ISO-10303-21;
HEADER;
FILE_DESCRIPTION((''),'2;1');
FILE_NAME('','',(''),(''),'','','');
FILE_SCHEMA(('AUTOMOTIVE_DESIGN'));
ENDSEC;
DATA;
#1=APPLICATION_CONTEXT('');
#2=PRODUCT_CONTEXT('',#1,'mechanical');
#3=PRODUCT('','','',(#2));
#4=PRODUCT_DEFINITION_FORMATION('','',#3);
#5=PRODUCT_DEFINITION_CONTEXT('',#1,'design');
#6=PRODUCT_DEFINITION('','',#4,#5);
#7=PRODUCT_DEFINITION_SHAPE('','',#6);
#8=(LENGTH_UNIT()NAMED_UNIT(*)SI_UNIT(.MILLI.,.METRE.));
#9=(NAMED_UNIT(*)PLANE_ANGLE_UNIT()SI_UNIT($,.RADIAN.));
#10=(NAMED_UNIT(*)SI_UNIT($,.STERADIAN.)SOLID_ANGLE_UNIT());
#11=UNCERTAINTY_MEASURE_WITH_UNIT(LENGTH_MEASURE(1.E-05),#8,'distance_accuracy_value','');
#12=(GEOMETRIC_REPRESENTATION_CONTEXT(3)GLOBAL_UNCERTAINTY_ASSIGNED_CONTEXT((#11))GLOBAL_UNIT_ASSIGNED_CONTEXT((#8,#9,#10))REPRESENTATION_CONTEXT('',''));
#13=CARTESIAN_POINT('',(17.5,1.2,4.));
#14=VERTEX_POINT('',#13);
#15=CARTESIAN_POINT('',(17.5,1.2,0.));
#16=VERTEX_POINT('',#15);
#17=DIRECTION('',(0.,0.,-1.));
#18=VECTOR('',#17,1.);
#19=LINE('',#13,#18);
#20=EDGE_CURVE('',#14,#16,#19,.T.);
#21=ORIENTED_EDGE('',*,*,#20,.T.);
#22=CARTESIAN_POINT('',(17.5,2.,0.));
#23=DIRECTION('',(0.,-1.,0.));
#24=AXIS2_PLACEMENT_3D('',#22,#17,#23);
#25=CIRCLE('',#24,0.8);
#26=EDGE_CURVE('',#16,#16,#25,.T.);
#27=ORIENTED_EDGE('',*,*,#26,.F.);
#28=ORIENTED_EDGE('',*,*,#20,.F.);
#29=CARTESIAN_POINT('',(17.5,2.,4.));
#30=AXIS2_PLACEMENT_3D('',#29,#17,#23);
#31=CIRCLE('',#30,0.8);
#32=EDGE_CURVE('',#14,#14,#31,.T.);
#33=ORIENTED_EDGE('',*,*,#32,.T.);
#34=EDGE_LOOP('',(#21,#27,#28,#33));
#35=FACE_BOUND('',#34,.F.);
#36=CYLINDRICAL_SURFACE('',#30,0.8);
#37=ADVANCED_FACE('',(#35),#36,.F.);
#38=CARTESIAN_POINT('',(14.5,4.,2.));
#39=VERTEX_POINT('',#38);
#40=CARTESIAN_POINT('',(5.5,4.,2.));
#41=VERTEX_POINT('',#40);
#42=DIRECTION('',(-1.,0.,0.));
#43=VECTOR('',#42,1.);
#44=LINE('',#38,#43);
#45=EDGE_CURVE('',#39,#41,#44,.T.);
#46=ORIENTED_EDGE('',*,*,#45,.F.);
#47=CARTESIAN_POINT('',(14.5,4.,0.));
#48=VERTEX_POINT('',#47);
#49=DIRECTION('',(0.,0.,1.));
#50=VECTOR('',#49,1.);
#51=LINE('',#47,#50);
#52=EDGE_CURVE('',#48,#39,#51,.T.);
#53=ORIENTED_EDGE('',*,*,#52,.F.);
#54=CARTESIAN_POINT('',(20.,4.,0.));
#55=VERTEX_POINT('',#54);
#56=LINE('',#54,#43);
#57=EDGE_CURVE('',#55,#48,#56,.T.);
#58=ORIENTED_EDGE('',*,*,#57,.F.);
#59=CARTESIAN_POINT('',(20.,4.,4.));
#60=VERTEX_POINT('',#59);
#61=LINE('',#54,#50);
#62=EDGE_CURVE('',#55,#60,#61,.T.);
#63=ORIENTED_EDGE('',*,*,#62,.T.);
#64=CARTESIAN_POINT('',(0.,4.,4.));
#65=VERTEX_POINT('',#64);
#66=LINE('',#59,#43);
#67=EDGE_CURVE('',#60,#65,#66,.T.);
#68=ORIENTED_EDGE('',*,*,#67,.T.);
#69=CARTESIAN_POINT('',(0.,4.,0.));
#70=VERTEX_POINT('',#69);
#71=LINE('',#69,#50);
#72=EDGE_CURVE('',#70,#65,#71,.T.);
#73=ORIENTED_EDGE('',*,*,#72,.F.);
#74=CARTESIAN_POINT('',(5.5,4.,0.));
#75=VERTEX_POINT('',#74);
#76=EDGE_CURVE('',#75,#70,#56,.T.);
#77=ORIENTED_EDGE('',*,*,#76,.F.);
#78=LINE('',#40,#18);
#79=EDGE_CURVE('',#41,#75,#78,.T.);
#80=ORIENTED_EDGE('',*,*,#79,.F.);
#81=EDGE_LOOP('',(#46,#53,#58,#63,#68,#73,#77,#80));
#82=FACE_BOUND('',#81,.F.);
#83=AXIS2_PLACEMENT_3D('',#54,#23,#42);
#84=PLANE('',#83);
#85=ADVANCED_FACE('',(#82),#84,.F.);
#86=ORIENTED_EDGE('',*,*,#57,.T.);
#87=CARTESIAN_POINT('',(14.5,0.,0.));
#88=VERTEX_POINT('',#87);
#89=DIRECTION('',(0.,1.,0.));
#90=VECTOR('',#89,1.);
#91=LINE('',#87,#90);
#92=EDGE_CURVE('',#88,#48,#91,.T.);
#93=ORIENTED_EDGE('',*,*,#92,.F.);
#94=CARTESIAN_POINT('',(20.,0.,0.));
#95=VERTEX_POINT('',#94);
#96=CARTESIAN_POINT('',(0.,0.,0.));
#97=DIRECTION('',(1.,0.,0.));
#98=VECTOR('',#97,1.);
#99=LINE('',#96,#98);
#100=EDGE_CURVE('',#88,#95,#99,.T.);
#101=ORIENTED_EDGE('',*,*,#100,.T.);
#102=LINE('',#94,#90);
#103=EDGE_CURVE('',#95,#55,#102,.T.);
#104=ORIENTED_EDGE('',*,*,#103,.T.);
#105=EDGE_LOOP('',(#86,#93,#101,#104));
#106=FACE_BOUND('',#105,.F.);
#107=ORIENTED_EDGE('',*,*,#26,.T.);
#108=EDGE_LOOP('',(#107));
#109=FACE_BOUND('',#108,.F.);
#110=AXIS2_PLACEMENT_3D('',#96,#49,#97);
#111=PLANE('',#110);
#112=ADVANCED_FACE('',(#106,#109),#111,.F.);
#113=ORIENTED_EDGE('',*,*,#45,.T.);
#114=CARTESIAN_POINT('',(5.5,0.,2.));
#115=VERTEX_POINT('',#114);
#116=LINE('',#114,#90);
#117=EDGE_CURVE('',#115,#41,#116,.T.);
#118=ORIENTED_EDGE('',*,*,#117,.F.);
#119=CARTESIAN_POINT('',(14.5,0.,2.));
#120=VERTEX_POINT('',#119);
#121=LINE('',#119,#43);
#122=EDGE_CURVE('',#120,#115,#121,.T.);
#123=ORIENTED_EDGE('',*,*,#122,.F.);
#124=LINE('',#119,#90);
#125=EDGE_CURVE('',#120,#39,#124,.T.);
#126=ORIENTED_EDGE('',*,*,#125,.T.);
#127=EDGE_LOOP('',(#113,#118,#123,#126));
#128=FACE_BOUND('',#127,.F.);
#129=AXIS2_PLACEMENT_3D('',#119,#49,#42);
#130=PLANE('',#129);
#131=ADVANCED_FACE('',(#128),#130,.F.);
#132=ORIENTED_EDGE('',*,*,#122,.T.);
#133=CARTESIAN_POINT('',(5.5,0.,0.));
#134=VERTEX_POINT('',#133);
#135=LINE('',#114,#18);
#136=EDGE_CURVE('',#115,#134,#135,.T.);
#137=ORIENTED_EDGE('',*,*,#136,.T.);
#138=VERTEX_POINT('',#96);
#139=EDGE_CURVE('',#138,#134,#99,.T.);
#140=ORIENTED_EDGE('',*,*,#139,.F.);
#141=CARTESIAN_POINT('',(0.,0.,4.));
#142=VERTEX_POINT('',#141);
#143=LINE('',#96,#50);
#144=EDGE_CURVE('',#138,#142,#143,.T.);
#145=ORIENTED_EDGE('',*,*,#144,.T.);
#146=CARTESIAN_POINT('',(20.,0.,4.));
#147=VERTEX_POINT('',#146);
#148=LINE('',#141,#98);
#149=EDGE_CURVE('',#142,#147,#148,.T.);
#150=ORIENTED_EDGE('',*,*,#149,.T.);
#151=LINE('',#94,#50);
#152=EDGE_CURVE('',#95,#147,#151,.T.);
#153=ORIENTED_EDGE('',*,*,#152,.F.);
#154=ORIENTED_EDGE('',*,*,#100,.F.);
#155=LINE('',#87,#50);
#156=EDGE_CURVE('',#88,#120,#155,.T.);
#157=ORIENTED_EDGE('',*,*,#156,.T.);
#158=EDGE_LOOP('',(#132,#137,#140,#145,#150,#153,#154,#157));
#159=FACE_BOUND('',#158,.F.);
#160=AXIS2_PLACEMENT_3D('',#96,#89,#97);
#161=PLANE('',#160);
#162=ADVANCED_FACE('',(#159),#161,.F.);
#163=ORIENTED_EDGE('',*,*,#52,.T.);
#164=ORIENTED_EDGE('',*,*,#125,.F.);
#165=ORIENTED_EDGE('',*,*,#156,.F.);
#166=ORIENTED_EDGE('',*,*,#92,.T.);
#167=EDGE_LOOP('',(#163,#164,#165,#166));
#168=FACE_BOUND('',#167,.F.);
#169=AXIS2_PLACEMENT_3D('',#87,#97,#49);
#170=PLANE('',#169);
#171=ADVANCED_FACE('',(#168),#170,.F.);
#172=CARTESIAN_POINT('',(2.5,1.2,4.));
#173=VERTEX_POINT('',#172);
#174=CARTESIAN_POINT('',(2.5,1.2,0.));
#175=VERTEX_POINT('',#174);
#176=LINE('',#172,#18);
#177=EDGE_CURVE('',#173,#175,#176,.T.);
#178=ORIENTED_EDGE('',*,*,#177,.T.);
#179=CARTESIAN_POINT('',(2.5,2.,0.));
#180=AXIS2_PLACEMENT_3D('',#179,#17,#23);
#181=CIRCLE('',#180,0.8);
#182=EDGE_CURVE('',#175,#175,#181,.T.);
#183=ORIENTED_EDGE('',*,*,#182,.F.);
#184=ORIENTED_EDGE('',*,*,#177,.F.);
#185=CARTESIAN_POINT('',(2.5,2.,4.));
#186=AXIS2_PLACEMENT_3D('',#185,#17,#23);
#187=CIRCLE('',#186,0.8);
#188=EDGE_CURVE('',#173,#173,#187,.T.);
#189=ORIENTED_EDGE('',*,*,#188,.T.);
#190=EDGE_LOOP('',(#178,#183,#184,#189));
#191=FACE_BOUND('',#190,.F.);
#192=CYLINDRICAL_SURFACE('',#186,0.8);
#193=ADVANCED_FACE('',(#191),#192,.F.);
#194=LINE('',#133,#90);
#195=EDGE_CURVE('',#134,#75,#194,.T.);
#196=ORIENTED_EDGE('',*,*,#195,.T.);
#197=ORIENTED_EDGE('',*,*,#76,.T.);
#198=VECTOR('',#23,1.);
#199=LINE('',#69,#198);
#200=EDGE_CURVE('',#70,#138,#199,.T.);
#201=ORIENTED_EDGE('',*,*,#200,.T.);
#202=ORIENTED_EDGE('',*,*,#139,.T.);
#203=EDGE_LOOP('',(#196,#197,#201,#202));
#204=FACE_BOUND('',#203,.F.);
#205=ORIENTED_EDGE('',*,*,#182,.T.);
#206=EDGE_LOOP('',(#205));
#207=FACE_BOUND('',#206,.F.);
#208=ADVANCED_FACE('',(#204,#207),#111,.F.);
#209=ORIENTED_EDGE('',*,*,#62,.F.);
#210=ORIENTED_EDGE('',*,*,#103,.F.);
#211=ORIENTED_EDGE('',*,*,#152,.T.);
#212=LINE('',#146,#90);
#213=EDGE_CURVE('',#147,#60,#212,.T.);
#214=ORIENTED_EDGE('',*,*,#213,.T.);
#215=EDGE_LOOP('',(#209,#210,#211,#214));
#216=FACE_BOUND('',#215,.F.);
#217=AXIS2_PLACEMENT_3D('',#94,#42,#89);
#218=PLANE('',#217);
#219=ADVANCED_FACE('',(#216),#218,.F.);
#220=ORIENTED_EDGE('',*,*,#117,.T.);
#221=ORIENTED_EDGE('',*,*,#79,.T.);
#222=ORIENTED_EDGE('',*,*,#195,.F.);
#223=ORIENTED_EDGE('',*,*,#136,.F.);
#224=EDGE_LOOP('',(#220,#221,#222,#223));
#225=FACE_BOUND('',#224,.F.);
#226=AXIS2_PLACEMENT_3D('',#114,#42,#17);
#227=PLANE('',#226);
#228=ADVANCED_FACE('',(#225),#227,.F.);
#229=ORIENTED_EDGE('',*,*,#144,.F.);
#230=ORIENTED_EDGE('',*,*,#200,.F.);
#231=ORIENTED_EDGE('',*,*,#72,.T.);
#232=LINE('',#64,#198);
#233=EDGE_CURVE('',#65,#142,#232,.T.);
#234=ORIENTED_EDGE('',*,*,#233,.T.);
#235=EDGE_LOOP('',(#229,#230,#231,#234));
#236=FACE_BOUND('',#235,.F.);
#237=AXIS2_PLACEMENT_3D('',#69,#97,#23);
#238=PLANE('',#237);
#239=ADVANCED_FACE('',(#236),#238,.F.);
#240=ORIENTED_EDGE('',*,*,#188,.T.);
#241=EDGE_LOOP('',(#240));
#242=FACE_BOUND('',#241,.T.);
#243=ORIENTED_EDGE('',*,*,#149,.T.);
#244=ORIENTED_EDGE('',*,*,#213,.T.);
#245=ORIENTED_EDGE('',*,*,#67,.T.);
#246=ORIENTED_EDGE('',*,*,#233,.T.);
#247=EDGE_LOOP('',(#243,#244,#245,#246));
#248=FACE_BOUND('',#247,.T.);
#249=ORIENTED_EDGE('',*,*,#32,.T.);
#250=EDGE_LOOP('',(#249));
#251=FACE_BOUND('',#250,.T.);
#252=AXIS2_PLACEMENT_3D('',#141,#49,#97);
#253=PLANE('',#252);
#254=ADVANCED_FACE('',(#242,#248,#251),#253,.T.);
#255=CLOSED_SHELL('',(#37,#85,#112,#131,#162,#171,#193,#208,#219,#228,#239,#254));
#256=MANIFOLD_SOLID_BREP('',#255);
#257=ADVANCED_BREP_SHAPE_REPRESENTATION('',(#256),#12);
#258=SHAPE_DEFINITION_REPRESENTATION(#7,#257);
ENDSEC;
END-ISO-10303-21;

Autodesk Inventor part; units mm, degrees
ref_plane "YZ Plane" through (0, 0, 0) normal (1, 0, 0) x (0, 1, 0)
ref_plane "XZ Plane" through (0, 0, 0) normal (0, 1, 0) x (-1, 0, 0)
ref_plane "XY Plane" through (0, 0, 0) normal (0, 0, 1) x (1, 0, 0)
sketch "Sketch1" plane through (0, 0, 0) normal (0, 0, 1) x (1, 0, 0)
  line L0 (0, 0) -> (20, 0)
  line L1 (20, 0) -> (20, 4)
  line L2 (20, 4) -> (0, 4)
  line L3 (0, 4) -> (0, 0)
  dimension "d0" = 20
  dimension "d1" = 4
extrude "Extrusion1" add sketch "Sketch1" along normal blind 4
sketch "Sketch2" plane through (0, 0, 0) normal (0, -1, 0) x (1, 0, 0)
  line L0 (5.5, 0) -> (14.5, 0)
  line L1 (14.5, 0) -> (14.5, 2)
  line L2 (14.5, 2) -> (5.5, 2)
  line L3 (5.5, 2) -> (5.5, 0)
  line L4 (0, 0) -> (20, 0) construction
  line L5 (10, 0) -> (10, 4) construction
  line L6 (0, 4) -> (20, 4) construction
  dimension "d4" = 9
  dimension "d5" = 2
extrude "Extrusion2" cut sketch "Sketch2" against normal blind 4
sketch "Sketch3" plane through (0, 0, 4) normal (0, 0, 1) x (1, 0, 0)
  line L0 (0, 2) -> (20, 2) construction
  line L1 (20, 0) -> (20, 4) construction
  line L2 (14.5, 4) -> (5.5, 4) construction
  line L3 (10, 4) -> (10, 0) construction
  line L4 (5.5, 0) -> (14.5, 0) construction
  point P0 (0, 0)
  point P1 (2.5, 2)
  point P2 (17.5, 2)
  dimension "d8" = 15
hole "Hole1" at (2.5, 2, 4) at (17.5, 2, 4) direction (0, 0, -1) diameter 1.6 end through all
properties part number "encoder_mounting_clamp"
